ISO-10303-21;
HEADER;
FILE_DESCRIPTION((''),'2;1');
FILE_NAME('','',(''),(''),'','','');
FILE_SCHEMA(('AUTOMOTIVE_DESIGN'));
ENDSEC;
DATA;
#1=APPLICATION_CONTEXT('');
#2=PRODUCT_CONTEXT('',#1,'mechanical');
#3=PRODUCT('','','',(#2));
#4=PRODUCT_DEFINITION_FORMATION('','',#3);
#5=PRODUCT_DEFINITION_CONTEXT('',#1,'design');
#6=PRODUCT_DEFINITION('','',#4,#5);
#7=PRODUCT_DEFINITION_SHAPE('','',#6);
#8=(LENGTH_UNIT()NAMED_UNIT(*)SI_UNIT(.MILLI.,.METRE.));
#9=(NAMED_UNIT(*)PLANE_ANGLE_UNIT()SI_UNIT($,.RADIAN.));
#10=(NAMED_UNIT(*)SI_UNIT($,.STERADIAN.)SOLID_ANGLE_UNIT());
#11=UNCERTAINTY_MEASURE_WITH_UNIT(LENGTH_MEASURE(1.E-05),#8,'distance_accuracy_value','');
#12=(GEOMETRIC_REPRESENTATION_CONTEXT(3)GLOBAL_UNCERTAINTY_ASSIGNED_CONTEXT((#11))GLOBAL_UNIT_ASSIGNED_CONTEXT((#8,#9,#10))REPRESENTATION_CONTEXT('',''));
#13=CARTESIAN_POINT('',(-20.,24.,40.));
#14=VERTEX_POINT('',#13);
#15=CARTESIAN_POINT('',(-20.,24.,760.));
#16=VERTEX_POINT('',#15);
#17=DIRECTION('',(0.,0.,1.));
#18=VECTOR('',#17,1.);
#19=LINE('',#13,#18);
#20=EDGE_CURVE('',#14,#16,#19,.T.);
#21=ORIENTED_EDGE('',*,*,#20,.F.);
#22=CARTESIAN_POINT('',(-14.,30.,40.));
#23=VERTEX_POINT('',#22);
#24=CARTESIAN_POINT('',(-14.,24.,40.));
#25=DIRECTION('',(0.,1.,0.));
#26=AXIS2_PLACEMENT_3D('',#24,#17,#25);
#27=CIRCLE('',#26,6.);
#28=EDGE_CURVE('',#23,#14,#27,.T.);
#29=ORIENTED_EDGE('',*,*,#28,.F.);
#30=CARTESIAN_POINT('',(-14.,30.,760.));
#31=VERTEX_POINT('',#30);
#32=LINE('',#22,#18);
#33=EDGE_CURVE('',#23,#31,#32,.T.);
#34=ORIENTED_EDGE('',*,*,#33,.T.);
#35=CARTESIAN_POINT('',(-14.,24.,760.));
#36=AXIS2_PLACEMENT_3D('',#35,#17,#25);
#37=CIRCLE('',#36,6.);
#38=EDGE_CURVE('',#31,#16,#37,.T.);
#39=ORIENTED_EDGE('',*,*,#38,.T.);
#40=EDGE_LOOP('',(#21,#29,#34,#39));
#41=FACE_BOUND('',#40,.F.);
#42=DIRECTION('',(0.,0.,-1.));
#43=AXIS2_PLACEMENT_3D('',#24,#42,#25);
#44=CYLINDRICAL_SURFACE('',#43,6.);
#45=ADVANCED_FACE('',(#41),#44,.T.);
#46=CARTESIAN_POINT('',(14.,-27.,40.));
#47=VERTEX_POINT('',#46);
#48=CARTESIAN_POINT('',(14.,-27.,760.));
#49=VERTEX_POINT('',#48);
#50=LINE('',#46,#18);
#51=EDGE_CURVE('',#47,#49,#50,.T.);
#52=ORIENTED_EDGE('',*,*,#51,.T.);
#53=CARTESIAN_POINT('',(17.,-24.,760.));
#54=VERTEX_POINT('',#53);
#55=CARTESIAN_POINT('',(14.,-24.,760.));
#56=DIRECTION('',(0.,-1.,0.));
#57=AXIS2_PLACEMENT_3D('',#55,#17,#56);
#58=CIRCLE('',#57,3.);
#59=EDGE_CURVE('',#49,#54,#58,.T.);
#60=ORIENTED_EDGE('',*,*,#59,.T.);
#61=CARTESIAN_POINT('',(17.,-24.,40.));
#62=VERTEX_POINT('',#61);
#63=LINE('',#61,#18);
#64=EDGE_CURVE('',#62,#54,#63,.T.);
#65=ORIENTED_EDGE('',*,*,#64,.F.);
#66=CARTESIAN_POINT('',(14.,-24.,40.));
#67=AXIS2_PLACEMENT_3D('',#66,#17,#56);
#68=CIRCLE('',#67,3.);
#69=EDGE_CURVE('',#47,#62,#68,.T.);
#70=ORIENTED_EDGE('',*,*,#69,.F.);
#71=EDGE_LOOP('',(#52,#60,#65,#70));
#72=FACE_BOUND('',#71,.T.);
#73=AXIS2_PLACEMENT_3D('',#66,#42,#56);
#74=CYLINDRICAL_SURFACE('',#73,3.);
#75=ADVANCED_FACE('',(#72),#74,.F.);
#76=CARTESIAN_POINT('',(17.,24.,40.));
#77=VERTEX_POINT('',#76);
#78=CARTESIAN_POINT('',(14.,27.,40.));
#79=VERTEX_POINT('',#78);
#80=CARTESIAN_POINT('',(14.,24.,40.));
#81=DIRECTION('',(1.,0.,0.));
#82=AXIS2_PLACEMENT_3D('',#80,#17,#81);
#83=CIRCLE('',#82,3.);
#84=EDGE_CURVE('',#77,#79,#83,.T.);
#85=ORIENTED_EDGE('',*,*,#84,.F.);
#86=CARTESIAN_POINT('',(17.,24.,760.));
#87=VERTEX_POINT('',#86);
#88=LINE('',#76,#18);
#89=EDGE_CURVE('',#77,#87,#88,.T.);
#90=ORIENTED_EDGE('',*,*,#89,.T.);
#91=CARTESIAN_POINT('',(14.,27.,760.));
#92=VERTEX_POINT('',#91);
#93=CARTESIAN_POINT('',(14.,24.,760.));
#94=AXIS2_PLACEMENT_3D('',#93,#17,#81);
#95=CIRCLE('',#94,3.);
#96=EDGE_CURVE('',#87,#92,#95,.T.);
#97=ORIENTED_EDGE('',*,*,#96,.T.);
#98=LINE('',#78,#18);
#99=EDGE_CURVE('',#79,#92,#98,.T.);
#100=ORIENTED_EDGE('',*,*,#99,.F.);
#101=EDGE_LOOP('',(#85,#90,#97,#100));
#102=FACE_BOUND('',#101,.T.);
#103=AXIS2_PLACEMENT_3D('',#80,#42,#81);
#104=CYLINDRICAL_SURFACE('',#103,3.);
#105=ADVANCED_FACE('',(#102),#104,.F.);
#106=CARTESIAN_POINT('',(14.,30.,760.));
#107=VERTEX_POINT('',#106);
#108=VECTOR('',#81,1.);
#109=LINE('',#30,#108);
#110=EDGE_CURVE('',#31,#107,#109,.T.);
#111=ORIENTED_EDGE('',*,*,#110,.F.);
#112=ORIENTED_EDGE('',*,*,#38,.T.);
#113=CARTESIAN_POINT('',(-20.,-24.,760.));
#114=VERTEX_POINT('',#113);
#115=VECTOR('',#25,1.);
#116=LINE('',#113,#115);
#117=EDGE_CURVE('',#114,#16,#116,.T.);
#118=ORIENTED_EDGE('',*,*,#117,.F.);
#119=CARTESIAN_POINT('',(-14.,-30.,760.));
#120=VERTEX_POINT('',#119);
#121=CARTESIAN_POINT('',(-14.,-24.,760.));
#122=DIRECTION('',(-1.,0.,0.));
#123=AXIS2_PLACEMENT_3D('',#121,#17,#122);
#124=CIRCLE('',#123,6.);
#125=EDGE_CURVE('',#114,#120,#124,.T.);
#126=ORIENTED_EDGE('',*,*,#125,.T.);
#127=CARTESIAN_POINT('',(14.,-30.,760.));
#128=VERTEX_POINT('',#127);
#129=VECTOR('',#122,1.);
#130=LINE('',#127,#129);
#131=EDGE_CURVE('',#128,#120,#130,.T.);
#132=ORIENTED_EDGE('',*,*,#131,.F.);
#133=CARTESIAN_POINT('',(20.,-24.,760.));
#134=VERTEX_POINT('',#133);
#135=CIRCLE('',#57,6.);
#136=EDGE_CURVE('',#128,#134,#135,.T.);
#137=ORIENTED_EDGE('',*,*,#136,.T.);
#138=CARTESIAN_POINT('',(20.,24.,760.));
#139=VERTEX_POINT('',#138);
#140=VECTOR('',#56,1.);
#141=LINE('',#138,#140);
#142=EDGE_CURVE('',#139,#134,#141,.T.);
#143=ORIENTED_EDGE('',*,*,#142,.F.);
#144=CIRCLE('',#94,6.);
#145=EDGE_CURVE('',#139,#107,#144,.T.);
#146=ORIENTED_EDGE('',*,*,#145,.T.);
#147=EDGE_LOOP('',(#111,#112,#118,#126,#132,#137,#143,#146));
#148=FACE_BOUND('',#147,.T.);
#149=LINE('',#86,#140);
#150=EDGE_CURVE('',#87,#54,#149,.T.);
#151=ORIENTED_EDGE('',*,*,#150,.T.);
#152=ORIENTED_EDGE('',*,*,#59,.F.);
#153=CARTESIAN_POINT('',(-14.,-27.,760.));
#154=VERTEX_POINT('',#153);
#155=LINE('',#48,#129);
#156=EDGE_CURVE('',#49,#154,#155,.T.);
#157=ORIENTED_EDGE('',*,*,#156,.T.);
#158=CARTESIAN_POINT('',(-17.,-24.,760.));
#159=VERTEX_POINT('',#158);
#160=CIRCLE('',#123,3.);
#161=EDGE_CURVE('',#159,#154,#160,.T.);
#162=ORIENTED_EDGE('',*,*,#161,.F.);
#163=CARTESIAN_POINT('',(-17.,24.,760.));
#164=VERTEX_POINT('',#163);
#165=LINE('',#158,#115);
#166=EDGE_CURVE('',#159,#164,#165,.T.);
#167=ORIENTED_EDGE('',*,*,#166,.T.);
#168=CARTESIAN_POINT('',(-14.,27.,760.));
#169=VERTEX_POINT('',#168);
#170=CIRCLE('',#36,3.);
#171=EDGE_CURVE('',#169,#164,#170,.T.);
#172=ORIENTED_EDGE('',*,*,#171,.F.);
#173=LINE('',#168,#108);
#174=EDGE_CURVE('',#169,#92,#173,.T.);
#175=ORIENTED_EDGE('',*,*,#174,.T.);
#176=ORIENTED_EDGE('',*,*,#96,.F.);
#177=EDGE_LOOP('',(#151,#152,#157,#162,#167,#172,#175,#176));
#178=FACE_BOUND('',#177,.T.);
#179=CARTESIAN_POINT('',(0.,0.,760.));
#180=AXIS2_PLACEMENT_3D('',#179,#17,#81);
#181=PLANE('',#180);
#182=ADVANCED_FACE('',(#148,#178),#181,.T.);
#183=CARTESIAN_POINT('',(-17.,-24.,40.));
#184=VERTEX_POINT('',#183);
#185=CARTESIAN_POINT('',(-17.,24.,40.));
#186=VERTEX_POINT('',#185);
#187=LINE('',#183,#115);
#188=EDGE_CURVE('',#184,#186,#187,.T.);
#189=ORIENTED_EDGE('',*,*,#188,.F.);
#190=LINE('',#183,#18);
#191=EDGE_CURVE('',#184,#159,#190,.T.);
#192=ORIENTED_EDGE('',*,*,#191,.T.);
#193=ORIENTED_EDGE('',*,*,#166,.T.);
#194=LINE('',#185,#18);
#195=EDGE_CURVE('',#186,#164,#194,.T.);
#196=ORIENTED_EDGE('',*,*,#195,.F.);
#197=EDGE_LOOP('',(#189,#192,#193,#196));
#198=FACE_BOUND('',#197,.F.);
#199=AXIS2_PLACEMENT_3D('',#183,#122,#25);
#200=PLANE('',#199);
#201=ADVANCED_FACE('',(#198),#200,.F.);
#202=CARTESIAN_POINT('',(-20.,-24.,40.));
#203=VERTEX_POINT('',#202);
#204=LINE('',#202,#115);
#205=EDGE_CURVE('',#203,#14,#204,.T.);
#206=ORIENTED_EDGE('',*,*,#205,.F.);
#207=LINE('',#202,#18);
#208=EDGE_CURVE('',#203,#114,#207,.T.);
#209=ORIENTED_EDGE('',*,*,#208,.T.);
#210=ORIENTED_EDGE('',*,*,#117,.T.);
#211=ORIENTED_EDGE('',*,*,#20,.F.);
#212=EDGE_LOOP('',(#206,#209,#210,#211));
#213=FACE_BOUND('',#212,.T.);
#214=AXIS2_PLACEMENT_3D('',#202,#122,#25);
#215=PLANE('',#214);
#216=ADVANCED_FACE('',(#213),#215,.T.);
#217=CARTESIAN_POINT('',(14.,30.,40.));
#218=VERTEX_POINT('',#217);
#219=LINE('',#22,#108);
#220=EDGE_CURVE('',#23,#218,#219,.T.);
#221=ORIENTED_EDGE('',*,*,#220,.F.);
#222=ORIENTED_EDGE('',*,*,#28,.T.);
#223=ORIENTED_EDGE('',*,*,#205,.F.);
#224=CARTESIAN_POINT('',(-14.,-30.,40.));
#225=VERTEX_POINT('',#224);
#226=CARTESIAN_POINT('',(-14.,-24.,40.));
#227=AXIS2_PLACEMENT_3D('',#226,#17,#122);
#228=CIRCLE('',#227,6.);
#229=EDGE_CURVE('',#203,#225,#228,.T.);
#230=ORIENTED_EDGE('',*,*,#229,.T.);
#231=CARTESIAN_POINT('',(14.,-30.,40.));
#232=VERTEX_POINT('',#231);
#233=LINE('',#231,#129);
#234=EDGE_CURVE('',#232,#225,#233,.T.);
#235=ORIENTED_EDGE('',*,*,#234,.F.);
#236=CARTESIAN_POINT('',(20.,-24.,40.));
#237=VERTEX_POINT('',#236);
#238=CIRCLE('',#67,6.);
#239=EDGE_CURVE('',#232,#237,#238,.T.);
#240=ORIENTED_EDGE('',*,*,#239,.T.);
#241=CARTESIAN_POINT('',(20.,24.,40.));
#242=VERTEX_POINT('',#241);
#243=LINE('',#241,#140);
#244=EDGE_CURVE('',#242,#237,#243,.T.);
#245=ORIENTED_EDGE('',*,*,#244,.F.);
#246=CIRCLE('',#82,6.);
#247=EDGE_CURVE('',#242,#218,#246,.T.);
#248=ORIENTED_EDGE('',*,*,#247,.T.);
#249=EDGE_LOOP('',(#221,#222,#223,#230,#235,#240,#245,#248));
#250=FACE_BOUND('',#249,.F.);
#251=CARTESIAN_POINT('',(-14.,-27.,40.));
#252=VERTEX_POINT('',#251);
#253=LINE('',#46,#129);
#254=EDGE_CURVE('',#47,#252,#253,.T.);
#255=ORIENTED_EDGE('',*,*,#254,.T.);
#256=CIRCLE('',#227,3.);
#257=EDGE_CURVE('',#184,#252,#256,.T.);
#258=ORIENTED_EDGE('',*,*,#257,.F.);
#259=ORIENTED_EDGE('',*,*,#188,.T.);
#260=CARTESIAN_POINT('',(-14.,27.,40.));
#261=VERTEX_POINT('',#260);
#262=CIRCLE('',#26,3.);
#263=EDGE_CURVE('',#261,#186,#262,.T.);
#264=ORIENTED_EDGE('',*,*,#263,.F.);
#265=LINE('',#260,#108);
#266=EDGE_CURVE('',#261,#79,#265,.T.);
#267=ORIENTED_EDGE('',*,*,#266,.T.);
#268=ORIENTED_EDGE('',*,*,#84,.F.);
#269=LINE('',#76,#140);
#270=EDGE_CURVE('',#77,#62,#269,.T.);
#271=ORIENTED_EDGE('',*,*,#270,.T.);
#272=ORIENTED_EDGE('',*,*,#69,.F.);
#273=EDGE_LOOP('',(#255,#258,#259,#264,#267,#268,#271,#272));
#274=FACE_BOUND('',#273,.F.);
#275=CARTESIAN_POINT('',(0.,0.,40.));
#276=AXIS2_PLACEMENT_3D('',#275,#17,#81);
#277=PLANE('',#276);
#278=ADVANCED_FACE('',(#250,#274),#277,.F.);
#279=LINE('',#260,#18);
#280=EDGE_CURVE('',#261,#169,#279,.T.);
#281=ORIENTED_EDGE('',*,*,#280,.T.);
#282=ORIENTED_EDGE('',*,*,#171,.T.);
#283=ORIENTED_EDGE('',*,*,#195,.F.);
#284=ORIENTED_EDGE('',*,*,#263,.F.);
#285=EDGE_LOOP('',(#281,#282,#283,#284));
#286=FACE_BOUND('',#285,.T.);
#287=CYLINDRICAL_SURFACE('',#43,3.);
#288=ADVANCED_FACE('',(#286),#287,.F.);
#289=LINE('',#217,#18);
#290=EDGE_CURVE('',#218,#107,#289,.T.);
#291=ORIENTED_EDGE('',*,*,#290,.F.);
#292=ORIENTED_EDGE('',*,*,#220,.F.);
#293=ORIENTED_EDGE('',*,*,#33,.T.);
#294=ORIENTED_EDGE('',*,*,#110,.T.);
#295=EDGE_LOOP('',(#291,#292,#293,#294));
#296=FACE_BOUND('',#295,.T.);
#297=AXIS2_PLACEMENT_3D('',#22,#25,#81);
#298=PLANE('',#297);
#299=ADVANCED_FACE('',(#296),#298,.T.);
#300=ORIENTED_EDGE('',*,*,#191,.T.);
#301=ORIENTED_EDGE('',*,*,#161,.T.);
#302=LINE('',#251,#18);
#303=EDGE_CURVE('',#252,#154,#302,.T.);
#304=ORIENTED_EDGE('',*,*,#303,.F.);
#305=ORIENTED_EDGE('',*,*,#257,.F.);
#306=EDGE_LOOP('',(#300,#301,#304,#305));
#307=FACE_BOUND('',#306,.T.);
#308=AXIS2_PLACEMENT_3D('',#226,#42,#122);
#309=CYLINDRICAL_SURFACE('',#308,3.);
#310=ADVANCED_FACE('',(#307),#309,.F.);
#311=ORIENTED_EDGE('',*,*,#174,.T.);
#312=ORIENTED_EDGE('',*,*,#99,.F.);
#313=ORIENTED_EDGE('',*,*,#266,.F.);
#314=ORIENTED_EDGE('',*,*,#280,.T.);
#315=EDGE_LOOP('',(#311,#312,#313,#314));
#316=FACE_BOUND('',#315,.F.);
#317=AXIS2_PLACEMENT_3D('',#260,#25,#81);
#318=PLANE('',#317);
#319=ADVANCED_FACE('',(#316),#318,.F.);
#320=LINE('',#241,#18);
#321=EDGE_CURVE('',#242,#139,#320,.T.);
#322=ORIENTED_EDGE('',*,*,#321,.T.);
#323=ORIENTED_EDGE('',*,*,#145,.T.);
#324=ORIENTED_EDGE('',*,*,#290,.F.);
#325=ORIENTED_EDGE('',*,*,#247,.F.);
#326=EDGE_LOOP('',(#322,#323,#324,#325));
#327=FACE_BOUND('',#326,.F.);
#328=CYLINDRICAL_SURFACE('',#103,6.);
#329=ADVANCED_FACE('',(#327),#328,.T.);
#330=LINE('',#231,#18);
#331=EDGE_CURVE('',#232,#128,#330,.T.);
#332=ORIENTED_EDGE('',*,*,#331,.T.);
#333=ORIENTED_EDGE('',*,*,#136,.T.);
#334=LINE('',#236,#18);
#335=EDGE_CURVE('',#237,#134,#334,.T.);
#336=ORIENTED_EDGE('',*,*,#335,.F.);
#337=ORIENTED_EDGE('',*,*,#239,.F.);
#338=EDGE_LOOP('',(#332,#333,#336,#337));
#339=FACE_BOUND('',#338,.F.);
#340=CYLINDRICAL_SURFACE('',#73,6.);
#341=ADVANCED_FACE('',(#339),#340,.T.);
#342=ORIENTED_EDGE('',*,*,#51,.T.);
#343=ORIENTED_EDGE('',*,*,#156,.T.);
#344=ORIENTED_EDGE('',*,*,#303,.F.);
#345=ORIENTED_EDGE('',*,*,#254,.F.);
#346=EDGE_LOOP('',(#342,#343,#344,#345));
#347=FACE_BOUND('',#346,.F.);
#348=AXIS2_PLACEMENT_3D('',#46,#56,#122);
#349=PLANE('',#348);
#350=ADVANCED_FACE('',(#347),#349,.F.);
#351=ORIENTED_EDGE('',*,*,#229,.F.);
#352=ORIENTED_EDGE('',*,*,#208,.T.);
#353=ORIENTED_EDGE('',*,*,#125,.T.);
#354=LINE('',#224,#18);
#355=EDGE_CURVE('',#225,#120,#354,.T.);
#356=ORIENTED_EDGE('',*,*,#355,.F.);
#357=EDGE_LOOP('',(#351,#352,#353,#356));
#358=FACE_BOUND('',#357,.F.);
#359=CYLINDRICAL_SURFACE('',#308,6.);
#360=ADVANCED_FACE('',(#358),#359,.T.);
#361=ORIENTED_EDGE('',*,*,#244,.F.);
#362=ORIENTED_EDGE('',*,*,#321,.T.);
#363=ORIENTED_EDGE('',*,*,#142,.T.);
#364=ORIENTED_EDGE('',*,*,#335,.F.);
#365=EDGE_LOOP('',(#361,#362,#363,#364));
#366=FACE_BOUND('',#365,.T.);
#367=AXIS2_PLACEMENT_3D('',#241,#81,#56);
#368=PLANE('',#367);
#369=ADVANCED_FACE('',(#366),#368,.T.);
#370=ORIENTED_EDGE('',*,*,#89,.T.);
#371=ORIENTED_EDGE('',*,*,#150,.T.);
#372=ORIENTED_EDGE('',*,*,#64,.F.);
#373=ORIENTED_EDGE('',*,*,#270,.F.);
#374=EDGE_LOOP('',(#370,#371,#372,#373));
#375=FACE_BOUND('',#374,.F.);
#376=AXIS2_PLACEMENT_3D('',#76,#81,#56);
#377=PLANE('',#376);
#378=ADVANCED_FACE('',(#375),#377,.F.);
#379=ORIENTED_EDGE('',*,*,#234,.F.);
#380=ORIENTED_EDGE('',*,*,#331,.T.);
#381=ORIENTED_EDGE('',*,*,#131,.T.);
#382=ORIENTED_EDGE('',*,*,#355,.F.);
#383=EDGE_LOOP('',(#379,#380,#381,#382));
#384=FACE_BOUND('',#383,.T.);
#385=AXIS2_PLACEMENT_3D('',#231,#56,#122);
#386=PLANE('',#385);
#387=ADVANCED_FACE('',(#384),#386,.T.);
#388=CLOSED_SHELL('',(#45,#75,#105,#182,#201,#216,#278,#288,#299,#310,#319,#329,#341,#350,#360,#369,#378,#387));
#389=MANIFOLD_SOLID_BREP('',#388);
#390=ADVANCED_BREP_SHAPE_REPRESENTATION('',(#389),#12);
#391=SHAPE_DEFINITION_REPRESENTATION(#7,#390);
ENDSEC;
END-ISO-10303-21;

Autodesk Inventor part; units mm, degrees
ref_plane "YZ Plane" through (0, 0, 0) normal (1, 0, 0) x (0, 1, 0)
ref_plane "Start Plane" through (0, 0, 40) normal (0, 0, 1) x (1, 0, 0)
ref_plane "End Plane" through (0, 0, 760) normal (0, 0, 1) x (1, 0, 0)
sketch "Sketch" plane through (0, 0, 0) normal (0, 0, 1) x (1, 0, 0)
  line L0 (-20, -24) -> (-20, 24)
  line L1 (-14, 30) -> (14, 30)
  line L2 (20, 24) -> (20, -24)
  line L3 (14, -30) -> (-14, -30)
  arc A0 (-20, -24) -> (-14, -30) centre (-14, -24) ccw
  arc A1 (20, 24) -> (14, 30) centre (14, 24) ccw
  arc A2 (-14, 30) -> (-20, 24) centre (-14, 24) ccw
  arc A3 (14, -30) -> (20, -24) centre (14, -24) ccw
  arc A4 (-14, 27) -> (-17, 24) centre (-14, 24) ccw
  line L4 (-14, 27) -> (14, 27)
  arc A5 (17, 24) -> (14, 27) centre (14, 24) ccw
  line L5 (17, 24) -> (17, -24)
  arc A6 (14, -27) -> (17, -24) centre (14, -24) ccw
  line L6 (14, -27) -> (-14, -27)
  arc A7 (-17, -24) -> (-14, -27) centre (-14, -24) ccw
  line L7 (-17, -24) -> (-17, 24)
  line L8 (0, 43.7397) -> (0, -43.7397) construction
  line L9 (-29.7397, 0) -> (29.7397, 0) construction
  dimension "d7" = 6
  dimension "d9" = 40
  dimension "d11" = 60
  dimension "d12" = 3
  dimension "d15" = 20
  dimension "d16" = 30
extrude "Body" add sketch "Sketch" along normal up to surface (720 mm away) from surface at 40
sketch "Sketch3" plane through (0, 0, 0) normal (0, 0, 1) x (1, 0, 0)
  line L0 (0, 0) -> (10, 0)
ref_plane "Work Plane3" through (0, 0, 0) normal (0, -1, 0) x (1, 0, 0)
sketch "Sketch4" plane through (0, 0, 0) normal (0, -1, 0) x (1, 0, 0)
  line L0 (-2, 40) -> (12, 40) projected
  line L1 (-2, 760) -> (12, 760) projected
  dimension "d18" = 720
equation "\"d7\" = G_IR"
equation "\"d9\" = G_W"
equation "\"d11\" = G_H"
equation "\"d12\" = G_T"
equation "\"d15\" = 0.5 * d9"
equation "\"d16\" = 0.5 * d11"
equation "\"d3\" = G_L"
equation "\"G_W\" = 40"
equation "\"G_H\" = 60"
equation "\"G_T\" = 3"
equation "\"G_IR\" = 6"
equation "\"G_L\" = d18"
properties part number "ISO 4019 - 60x40x3 - 720" material "Steel, Mild"
